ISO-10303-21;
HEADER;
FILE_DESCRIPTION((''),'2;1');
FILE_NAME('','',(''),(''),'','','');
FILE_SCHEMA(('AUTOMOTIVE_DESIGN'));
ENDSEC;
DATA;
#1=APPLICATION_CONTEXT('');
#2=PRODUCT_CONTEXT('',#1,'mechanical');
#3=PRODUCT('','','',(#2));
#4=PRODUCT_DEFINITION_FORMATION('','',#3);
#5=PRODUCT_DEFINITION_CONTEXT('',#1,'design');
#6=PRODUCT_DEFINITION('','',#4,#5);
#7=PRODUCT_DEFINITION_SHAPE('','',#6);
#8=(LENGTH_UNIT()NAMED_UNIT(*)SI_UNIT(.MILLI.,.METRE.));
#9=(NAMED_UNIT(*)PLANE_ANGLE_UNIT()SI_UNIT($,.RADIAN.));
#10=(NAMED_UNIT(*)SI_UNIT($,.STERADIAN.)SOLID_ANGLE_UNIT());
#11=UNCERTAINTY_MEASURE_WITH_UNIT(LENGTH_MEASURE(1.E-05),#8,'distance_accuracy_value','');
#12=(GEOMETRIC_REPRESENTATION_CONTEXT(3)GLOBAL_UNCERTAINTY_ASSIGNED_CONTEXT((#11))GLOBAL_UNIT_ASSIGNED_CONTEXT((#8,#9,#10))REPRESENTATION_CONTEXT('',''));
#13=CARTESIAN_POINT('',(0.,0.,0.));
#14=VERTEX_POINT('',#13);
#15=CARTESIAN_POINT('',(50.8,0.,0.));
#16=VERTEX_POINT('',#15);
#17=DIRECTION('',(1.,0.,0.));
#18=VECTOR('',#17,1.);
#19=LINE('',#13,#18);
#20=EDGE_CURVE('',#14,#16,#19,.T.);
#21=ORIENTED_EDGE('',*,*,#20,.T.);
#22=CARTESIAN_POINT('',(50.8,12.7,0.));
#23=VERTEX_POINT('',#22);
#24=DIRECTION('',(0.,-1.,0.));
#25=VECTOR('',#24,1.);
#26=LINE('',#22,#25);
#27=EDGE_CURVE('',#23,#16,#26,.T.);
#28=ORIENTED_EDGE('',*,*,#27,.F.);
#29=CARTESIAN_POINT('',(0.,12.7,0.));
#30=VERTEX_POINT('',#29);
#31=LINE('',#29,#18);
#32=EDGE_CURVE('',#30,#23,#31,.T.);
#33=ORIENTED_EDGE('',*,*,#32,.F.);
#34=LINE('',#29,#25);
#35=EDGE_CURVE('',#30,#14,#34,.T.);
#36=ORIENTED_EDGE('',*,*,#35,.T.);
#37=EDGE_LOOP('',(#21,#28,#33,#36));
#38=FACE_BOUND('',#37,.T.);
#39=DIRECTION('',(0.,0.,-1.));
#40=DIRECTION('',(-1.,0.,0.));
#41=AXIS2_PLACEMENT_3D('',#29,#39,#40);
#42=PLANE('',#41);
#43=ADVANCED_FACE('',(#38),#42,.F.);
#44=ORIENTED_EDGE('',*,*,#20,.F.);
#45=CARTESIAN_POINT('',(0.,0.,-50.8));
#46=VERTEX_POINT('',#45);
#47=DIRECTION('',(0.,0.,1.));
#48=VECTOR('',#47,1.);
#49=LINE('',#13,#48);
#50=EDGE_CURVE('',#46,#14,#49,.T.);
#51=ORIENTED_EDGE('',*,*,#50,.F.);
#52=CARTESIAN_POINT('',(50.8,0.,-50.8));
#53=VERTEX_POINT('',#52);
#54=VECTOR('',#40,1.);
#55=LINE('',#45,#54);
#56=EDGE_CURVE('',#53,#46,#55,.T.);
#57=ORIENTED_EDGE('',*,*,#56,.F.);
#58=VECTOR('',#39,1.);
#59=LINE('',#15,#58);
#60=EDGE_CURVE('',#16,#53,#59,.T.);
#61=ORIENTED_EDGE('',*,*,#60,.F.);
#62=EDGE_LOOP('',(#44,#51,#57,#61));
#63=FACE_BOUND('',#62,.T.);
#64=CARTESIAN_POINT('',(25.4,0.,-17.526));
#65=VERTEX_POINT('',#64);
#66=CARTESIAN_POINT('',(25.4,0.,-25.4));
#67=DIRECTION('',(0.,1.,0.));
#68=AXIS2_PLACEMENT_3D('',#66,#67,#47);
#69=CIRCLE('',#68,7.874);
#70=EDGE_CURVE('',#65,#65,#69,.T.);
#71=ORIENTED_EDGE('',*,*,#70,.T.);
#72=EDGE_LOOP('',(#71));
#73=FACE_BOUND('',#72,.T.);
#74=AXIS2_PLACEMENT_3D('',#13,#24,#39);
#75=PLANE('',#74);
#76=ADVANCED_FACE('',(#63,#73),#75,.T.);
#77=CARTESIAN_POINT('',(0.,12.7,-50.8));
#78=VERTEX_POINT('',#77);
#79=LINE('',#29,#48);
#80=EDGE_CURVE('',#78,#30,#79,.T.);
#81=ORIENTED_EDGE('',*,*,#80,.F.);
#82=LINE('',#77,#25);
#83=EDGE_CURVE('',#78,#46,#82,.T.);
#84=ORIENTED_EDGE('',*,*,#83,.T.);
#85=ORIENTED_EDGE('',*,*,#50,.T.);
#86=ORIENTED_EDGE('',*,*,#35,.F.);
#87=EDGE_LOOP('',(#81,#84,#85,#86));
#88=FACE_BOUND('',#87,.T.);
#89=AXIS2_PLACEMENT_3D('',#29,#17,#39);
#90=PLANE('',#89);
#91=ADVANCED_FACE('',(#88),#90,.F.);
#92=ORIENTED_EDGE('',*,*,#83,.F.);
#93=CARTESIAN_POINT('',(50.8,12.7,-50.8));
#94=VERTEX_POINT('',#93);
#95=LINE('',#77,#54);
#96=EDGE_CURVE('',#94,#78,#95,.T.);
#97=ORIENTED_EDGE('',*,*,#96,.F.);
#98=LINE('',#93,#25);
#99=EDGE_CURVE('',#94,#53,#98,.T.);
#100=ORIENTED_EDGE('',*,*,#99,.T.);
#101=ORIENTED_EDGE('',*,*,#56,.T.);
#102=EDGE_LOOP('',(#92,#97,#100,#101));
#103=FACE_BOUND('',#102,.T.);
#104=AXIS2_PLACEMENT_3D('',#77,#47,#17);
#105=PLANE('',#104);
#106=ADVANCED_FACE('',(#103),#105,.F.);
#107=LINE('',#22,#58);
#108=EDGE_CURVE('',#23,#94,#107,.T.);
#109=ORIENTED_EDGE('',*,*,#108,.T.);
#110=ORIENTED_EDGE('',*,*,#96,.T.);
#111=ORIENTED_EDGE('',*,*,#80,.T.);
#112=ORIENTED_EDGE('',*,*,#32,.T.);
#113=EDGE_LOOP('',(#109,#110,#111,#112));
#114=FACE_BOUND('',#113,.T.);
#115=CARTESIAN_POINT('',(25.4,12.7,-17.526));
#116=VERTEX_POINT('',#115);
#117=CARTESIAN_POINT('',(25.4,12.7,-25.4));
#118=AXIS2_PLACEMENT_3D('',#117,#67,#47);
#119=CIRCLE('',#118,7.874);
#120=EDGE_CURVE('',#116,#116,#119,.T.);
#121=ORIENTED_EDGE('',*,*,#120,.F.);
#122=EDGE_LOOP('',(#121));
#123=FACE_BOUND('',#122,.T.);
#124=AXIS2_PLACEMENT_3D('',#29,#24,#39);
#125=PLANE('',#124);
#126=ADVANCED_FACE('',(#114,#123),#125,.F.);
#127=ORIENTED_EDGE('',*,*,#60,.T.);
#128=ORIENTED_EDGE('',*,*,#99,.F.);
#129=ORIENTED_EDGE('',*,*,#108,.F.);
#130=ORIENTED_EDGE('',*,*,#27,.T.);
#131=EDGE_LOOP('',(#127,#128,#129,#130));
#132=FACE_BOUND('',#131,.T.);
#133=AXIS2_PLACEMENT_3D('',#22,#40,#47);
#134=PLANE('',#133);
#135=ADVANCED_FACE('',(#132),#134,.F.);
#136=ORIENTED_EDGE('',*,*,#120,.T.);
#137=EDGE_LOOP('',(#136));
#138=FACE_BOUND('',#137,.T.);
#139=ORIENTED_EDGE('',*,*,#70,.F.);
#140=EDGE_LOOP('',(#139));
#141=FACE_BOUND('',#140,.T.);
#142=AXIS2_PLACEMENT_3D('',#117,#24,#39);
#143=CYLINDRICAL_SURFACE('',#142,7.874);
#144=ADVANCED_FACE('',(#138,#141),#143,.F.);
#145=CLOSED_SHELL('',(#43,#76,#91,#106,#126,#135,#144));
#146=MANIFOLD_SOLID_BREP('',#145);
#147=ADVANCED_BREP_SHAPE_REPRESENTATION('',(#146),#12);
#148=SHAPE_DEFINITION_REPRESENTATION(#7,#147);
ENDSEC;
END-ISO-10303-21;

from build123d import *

# Parameters (mm, degrees)
SKETCH1_W           = 50.8
SKETCH1_H           = 50.8
SKETCH1_R           = 7.874
BOSS_EXTRUDE1_DEPTH = 12.7


with BuildPart() as part:
    # Sketch1 → Boss-Extrude1 (new body)
    with BuildSketch(Plane(origin=(0, 0, 0), x_dir=(1, 0, 0), z_dir=(0, 1, 0))):
        with Locations((25.4, 25.4)):
            Rectangle(SKETCH1_W, SKETCH1_H)
        with Locations((25.4, 25.4)):
            Circle(SKETCH1_R, mode=Mode.SUBTRACT)
    extrude(amount=BOSS_EXTRUDE1_DEPTH)


solid = part.part
